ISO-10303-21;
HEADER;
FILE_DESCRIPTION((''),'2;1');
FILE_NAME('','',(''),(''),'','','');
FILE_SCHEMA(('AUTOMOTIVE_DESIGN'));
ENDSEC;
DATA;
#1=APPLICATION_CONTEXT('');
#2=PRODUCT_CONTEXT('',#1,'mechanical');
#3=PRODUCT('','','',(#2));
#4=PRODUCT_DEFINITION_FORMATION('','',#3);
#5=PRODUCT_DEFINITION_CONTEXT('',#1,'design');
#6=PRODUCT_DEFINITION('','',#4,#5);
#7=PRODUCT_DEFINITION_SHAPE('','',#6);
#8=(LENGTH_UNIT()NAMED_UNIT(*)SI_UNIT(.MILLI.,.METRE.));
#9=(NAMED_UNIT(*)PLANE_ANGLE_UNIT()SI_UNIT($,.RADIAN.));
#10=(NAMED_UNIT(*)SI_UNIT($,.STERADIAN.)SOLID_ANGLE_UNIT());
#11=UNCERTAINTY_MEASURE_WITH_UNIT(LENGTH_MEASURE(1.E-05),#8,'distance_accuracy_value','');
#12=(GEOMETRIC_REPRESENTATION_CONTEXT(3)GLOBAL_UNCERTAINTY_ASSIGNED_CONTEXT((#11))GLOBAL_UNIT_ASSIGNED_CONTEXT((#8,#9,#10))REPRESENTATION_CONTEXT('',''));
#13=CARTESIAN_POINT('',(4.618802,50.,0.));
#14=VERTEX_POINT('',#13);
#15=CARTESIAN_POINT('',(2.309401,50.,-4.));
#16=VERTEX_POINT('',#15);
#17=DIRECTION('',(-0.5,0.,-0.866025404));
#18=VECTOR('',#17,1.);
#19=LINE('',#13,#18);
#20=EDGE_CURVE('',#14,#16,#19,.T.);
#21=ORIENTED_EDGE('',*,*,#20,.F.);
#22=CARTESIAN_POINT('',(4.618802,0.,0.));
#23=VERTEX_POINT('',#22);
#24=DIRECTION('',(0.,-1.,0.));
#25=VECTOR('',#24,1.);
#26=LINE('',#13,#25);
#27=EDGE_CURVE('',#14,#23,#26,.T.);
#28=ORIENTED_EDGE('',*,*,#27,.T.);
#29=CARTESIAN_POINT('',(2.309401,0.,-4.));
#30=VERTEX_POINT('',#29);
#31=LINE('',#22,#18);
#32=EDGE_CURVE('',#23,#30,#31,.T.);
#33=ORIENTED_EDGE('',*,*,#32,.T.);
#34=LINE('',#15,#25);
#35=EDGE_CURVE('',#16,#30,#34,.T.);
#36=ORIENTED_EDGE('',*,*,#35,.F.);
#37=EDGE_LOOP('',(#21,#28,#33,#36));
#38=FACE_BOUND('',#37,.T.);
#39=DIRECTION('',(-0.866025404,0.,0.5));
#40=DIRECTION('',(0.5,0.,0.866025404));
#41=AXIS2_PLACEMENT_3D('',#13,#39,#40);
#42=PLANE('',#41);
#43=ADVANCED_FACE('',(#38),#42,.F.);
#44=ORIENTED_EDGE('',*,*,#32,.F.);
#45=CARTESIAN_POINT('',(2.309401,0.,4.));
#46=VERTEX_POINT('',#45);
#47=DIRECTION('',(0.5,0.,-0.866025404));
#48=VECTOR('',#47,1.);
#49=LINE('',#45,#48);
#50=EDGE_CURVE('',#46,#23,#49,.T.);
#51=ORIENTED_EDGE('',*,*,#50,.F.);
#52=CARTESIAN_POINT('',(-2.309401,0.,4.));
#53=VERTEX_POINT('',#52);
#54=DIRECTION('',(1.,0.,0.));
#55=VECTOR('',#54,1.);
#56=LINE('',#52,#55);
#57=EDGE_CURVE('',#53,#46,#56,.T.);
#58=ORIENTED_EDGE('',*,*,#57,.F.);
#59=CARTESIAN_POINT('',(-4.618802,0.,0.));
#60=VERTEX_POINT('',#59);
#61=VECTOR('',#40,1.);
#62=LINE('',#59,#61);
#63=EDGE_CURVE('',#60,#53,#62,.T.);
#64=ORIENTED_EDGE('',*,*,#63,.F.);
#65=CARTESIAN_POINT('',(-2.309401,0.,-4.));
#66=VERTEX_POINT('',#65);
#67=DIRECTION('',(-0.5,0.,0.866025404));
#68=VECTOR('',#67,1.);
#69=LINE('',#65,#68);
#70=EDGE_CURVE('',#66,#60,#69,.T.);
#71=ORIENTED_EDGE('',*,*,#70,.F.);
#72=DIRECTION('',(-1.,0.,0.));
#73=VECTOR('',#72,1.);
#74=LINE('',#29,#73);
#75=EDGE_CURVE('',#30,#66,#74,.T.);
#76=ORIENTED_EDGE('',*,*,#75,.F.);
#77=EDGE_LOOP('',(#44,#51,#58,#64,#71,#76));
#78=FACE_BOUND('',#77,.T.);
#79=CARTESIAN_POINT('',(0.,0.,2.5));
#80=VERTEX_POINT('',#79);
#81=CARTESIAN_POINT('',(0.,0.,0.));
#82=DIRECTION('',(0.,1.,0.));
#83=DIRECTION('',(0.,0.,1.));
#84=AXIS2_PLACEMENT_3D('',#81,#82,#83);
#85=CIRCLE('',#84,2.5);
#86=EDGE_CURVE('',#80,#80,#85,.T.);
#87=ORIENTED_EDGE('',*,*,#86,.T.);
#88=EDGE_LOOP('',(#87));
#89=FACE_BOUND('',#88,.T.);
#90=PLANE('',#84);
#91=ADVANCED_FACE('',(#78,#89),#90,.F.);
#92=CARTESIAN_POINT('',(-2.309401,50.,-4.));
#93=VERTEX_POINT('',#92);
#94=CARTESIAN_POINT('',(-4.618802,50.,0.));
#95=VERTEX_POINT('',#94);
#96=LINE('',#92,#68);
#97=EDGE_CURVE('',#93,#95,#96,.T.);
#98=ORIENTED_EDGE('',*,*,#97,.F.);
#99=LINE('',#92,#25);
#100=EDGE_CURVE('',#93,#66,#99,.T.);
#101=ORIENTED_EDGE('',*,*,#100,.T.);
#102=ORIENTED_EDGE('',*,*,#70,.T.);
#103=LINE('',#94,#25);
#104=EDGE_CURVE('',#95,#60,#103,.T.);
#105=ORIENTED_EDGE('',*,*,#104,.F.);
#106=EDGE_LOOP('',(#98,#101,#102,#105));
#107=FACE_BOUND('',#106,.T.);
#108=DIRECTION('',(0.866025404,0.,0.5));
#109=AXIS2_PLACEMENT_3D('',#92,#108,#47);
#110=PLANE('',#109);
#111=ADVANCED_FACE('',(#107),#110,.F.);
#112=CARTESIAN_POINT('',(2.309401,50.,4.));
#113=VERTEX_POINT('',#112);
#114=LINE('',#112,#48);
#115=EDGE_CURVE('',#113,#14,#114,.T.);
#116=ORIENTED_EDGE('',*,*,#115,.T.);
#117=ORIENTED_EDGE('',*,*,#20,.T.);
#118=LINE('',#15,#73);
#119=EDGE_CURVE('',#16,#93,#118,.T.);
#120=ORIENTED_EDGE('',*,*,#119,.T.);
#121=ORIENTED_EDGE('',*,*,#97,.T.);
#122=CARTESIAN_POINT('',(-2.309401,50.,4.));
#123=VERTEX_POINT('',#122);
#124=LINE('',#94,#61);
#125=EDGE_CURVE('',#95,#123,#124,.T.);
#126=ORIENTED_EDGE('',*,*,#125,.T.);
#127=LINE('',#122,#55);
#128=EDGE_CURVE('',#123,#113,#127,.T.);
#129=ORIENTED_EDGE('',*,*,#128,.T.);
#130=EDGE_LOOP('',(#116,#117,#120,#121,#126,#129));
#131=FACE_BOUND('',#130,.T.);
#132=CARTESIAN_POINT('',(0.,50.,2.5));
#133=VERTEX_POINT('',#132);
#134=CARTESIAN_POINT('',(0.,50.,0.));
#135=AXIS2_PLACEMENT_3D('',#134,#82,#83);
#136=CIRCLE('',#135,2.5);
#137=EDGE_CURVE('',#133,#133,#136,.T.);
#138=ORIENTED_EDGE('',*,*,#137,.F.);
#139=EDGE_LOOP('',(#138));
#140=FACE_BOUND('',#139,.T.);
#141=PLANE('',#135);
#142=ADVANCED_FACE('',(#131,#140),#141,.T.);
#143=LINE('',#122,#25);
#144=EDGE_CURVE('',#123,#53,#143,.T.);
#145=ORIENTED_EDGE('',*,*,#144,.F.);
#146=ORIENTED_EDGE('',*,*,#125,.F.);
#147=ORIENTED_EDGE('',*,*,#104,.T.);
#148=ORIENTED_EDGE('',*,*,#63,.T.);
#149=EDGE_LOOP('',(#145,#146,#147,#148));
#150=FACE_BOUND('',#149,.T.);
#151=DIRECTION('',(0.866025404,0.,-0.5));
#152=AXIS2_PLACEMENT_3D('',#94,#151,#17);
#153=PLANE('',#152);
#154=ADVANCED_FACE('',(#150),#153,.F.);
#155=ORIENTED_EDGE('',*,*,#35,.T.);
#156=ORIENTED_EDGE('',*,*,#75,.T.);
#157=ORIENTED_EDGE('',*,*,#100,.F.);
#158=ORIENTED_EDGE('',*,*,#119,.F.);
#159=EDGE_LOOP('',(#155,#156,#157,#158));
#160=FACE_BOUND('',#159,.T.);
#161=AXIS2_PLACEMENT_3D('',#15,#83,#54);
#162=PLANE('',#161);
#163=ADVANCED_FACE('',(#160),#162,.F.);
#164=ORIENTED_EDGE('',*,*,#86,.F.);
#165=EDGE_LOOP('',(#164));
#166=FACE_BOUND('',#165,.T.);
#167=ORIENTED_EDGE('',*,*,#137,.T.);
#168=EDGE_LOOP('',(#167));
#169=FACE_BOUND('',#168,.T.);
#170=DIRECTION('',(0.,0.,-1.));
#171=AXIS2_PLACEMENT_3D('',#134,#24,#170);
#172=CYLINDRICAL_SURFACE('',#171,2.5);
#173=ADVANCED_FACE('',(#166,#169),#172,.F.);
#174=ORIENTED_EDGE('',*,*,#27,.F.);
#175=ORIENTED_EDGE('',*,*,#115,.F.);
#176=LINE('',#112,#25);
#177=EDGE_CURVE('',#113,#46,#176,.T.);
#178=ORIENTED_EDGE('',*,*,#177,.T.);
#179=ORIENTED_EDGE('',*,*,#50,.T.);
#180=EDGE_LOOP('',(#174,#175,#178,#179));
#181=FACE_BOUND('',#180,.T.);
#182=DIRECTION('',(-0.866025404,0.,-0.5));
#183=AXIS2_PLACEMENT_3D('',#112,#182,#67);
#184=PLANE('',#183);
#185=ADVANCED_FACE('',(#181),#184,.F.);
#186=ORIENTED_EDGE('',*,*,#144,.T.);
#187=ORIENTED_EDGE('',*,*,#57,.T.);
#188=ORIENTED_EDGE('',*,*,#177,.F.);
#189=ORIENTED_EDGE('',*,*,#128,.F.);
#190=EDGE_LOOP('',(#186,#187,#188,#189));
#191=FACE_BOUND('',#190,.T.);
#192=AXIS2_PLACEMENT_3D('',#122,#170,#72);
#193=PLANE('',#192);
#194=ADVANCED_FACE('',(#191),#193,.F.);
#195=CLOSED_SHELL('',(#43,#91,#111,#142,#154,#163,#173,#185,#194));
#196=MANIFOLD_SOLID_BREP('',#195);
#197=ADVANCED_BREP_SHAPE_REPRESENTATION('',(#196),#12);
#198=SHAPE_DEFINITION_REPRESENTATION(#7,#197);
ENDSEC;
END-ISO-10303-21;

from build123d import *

# Parameters (mm, degrees)
SKETCH1_R           = 2.5
BOSS_EXTRUDE1_DEPTH = 50


with BuildPart() as part:
    # Sketch1 → Boss-Extrude1 (new body)
    with BuildSketch(Plane(origin=(0, 0, 0), x_dir=(1, 0, 0), z_dir=(0, 1, 0))):
        Polygon((4.618802154, 0), (2.309401077, 4), (-2.309401077, 4), (-4.618802154, 0), (-2.309401077, -4), (2.309401077, -4), align=None)
        Circle(SKETCH1_R, mode=Mode.SUBTRACT)
    extrude(amount=BOSS_EXTRUDE1_DEPTH)


solid = part.part
